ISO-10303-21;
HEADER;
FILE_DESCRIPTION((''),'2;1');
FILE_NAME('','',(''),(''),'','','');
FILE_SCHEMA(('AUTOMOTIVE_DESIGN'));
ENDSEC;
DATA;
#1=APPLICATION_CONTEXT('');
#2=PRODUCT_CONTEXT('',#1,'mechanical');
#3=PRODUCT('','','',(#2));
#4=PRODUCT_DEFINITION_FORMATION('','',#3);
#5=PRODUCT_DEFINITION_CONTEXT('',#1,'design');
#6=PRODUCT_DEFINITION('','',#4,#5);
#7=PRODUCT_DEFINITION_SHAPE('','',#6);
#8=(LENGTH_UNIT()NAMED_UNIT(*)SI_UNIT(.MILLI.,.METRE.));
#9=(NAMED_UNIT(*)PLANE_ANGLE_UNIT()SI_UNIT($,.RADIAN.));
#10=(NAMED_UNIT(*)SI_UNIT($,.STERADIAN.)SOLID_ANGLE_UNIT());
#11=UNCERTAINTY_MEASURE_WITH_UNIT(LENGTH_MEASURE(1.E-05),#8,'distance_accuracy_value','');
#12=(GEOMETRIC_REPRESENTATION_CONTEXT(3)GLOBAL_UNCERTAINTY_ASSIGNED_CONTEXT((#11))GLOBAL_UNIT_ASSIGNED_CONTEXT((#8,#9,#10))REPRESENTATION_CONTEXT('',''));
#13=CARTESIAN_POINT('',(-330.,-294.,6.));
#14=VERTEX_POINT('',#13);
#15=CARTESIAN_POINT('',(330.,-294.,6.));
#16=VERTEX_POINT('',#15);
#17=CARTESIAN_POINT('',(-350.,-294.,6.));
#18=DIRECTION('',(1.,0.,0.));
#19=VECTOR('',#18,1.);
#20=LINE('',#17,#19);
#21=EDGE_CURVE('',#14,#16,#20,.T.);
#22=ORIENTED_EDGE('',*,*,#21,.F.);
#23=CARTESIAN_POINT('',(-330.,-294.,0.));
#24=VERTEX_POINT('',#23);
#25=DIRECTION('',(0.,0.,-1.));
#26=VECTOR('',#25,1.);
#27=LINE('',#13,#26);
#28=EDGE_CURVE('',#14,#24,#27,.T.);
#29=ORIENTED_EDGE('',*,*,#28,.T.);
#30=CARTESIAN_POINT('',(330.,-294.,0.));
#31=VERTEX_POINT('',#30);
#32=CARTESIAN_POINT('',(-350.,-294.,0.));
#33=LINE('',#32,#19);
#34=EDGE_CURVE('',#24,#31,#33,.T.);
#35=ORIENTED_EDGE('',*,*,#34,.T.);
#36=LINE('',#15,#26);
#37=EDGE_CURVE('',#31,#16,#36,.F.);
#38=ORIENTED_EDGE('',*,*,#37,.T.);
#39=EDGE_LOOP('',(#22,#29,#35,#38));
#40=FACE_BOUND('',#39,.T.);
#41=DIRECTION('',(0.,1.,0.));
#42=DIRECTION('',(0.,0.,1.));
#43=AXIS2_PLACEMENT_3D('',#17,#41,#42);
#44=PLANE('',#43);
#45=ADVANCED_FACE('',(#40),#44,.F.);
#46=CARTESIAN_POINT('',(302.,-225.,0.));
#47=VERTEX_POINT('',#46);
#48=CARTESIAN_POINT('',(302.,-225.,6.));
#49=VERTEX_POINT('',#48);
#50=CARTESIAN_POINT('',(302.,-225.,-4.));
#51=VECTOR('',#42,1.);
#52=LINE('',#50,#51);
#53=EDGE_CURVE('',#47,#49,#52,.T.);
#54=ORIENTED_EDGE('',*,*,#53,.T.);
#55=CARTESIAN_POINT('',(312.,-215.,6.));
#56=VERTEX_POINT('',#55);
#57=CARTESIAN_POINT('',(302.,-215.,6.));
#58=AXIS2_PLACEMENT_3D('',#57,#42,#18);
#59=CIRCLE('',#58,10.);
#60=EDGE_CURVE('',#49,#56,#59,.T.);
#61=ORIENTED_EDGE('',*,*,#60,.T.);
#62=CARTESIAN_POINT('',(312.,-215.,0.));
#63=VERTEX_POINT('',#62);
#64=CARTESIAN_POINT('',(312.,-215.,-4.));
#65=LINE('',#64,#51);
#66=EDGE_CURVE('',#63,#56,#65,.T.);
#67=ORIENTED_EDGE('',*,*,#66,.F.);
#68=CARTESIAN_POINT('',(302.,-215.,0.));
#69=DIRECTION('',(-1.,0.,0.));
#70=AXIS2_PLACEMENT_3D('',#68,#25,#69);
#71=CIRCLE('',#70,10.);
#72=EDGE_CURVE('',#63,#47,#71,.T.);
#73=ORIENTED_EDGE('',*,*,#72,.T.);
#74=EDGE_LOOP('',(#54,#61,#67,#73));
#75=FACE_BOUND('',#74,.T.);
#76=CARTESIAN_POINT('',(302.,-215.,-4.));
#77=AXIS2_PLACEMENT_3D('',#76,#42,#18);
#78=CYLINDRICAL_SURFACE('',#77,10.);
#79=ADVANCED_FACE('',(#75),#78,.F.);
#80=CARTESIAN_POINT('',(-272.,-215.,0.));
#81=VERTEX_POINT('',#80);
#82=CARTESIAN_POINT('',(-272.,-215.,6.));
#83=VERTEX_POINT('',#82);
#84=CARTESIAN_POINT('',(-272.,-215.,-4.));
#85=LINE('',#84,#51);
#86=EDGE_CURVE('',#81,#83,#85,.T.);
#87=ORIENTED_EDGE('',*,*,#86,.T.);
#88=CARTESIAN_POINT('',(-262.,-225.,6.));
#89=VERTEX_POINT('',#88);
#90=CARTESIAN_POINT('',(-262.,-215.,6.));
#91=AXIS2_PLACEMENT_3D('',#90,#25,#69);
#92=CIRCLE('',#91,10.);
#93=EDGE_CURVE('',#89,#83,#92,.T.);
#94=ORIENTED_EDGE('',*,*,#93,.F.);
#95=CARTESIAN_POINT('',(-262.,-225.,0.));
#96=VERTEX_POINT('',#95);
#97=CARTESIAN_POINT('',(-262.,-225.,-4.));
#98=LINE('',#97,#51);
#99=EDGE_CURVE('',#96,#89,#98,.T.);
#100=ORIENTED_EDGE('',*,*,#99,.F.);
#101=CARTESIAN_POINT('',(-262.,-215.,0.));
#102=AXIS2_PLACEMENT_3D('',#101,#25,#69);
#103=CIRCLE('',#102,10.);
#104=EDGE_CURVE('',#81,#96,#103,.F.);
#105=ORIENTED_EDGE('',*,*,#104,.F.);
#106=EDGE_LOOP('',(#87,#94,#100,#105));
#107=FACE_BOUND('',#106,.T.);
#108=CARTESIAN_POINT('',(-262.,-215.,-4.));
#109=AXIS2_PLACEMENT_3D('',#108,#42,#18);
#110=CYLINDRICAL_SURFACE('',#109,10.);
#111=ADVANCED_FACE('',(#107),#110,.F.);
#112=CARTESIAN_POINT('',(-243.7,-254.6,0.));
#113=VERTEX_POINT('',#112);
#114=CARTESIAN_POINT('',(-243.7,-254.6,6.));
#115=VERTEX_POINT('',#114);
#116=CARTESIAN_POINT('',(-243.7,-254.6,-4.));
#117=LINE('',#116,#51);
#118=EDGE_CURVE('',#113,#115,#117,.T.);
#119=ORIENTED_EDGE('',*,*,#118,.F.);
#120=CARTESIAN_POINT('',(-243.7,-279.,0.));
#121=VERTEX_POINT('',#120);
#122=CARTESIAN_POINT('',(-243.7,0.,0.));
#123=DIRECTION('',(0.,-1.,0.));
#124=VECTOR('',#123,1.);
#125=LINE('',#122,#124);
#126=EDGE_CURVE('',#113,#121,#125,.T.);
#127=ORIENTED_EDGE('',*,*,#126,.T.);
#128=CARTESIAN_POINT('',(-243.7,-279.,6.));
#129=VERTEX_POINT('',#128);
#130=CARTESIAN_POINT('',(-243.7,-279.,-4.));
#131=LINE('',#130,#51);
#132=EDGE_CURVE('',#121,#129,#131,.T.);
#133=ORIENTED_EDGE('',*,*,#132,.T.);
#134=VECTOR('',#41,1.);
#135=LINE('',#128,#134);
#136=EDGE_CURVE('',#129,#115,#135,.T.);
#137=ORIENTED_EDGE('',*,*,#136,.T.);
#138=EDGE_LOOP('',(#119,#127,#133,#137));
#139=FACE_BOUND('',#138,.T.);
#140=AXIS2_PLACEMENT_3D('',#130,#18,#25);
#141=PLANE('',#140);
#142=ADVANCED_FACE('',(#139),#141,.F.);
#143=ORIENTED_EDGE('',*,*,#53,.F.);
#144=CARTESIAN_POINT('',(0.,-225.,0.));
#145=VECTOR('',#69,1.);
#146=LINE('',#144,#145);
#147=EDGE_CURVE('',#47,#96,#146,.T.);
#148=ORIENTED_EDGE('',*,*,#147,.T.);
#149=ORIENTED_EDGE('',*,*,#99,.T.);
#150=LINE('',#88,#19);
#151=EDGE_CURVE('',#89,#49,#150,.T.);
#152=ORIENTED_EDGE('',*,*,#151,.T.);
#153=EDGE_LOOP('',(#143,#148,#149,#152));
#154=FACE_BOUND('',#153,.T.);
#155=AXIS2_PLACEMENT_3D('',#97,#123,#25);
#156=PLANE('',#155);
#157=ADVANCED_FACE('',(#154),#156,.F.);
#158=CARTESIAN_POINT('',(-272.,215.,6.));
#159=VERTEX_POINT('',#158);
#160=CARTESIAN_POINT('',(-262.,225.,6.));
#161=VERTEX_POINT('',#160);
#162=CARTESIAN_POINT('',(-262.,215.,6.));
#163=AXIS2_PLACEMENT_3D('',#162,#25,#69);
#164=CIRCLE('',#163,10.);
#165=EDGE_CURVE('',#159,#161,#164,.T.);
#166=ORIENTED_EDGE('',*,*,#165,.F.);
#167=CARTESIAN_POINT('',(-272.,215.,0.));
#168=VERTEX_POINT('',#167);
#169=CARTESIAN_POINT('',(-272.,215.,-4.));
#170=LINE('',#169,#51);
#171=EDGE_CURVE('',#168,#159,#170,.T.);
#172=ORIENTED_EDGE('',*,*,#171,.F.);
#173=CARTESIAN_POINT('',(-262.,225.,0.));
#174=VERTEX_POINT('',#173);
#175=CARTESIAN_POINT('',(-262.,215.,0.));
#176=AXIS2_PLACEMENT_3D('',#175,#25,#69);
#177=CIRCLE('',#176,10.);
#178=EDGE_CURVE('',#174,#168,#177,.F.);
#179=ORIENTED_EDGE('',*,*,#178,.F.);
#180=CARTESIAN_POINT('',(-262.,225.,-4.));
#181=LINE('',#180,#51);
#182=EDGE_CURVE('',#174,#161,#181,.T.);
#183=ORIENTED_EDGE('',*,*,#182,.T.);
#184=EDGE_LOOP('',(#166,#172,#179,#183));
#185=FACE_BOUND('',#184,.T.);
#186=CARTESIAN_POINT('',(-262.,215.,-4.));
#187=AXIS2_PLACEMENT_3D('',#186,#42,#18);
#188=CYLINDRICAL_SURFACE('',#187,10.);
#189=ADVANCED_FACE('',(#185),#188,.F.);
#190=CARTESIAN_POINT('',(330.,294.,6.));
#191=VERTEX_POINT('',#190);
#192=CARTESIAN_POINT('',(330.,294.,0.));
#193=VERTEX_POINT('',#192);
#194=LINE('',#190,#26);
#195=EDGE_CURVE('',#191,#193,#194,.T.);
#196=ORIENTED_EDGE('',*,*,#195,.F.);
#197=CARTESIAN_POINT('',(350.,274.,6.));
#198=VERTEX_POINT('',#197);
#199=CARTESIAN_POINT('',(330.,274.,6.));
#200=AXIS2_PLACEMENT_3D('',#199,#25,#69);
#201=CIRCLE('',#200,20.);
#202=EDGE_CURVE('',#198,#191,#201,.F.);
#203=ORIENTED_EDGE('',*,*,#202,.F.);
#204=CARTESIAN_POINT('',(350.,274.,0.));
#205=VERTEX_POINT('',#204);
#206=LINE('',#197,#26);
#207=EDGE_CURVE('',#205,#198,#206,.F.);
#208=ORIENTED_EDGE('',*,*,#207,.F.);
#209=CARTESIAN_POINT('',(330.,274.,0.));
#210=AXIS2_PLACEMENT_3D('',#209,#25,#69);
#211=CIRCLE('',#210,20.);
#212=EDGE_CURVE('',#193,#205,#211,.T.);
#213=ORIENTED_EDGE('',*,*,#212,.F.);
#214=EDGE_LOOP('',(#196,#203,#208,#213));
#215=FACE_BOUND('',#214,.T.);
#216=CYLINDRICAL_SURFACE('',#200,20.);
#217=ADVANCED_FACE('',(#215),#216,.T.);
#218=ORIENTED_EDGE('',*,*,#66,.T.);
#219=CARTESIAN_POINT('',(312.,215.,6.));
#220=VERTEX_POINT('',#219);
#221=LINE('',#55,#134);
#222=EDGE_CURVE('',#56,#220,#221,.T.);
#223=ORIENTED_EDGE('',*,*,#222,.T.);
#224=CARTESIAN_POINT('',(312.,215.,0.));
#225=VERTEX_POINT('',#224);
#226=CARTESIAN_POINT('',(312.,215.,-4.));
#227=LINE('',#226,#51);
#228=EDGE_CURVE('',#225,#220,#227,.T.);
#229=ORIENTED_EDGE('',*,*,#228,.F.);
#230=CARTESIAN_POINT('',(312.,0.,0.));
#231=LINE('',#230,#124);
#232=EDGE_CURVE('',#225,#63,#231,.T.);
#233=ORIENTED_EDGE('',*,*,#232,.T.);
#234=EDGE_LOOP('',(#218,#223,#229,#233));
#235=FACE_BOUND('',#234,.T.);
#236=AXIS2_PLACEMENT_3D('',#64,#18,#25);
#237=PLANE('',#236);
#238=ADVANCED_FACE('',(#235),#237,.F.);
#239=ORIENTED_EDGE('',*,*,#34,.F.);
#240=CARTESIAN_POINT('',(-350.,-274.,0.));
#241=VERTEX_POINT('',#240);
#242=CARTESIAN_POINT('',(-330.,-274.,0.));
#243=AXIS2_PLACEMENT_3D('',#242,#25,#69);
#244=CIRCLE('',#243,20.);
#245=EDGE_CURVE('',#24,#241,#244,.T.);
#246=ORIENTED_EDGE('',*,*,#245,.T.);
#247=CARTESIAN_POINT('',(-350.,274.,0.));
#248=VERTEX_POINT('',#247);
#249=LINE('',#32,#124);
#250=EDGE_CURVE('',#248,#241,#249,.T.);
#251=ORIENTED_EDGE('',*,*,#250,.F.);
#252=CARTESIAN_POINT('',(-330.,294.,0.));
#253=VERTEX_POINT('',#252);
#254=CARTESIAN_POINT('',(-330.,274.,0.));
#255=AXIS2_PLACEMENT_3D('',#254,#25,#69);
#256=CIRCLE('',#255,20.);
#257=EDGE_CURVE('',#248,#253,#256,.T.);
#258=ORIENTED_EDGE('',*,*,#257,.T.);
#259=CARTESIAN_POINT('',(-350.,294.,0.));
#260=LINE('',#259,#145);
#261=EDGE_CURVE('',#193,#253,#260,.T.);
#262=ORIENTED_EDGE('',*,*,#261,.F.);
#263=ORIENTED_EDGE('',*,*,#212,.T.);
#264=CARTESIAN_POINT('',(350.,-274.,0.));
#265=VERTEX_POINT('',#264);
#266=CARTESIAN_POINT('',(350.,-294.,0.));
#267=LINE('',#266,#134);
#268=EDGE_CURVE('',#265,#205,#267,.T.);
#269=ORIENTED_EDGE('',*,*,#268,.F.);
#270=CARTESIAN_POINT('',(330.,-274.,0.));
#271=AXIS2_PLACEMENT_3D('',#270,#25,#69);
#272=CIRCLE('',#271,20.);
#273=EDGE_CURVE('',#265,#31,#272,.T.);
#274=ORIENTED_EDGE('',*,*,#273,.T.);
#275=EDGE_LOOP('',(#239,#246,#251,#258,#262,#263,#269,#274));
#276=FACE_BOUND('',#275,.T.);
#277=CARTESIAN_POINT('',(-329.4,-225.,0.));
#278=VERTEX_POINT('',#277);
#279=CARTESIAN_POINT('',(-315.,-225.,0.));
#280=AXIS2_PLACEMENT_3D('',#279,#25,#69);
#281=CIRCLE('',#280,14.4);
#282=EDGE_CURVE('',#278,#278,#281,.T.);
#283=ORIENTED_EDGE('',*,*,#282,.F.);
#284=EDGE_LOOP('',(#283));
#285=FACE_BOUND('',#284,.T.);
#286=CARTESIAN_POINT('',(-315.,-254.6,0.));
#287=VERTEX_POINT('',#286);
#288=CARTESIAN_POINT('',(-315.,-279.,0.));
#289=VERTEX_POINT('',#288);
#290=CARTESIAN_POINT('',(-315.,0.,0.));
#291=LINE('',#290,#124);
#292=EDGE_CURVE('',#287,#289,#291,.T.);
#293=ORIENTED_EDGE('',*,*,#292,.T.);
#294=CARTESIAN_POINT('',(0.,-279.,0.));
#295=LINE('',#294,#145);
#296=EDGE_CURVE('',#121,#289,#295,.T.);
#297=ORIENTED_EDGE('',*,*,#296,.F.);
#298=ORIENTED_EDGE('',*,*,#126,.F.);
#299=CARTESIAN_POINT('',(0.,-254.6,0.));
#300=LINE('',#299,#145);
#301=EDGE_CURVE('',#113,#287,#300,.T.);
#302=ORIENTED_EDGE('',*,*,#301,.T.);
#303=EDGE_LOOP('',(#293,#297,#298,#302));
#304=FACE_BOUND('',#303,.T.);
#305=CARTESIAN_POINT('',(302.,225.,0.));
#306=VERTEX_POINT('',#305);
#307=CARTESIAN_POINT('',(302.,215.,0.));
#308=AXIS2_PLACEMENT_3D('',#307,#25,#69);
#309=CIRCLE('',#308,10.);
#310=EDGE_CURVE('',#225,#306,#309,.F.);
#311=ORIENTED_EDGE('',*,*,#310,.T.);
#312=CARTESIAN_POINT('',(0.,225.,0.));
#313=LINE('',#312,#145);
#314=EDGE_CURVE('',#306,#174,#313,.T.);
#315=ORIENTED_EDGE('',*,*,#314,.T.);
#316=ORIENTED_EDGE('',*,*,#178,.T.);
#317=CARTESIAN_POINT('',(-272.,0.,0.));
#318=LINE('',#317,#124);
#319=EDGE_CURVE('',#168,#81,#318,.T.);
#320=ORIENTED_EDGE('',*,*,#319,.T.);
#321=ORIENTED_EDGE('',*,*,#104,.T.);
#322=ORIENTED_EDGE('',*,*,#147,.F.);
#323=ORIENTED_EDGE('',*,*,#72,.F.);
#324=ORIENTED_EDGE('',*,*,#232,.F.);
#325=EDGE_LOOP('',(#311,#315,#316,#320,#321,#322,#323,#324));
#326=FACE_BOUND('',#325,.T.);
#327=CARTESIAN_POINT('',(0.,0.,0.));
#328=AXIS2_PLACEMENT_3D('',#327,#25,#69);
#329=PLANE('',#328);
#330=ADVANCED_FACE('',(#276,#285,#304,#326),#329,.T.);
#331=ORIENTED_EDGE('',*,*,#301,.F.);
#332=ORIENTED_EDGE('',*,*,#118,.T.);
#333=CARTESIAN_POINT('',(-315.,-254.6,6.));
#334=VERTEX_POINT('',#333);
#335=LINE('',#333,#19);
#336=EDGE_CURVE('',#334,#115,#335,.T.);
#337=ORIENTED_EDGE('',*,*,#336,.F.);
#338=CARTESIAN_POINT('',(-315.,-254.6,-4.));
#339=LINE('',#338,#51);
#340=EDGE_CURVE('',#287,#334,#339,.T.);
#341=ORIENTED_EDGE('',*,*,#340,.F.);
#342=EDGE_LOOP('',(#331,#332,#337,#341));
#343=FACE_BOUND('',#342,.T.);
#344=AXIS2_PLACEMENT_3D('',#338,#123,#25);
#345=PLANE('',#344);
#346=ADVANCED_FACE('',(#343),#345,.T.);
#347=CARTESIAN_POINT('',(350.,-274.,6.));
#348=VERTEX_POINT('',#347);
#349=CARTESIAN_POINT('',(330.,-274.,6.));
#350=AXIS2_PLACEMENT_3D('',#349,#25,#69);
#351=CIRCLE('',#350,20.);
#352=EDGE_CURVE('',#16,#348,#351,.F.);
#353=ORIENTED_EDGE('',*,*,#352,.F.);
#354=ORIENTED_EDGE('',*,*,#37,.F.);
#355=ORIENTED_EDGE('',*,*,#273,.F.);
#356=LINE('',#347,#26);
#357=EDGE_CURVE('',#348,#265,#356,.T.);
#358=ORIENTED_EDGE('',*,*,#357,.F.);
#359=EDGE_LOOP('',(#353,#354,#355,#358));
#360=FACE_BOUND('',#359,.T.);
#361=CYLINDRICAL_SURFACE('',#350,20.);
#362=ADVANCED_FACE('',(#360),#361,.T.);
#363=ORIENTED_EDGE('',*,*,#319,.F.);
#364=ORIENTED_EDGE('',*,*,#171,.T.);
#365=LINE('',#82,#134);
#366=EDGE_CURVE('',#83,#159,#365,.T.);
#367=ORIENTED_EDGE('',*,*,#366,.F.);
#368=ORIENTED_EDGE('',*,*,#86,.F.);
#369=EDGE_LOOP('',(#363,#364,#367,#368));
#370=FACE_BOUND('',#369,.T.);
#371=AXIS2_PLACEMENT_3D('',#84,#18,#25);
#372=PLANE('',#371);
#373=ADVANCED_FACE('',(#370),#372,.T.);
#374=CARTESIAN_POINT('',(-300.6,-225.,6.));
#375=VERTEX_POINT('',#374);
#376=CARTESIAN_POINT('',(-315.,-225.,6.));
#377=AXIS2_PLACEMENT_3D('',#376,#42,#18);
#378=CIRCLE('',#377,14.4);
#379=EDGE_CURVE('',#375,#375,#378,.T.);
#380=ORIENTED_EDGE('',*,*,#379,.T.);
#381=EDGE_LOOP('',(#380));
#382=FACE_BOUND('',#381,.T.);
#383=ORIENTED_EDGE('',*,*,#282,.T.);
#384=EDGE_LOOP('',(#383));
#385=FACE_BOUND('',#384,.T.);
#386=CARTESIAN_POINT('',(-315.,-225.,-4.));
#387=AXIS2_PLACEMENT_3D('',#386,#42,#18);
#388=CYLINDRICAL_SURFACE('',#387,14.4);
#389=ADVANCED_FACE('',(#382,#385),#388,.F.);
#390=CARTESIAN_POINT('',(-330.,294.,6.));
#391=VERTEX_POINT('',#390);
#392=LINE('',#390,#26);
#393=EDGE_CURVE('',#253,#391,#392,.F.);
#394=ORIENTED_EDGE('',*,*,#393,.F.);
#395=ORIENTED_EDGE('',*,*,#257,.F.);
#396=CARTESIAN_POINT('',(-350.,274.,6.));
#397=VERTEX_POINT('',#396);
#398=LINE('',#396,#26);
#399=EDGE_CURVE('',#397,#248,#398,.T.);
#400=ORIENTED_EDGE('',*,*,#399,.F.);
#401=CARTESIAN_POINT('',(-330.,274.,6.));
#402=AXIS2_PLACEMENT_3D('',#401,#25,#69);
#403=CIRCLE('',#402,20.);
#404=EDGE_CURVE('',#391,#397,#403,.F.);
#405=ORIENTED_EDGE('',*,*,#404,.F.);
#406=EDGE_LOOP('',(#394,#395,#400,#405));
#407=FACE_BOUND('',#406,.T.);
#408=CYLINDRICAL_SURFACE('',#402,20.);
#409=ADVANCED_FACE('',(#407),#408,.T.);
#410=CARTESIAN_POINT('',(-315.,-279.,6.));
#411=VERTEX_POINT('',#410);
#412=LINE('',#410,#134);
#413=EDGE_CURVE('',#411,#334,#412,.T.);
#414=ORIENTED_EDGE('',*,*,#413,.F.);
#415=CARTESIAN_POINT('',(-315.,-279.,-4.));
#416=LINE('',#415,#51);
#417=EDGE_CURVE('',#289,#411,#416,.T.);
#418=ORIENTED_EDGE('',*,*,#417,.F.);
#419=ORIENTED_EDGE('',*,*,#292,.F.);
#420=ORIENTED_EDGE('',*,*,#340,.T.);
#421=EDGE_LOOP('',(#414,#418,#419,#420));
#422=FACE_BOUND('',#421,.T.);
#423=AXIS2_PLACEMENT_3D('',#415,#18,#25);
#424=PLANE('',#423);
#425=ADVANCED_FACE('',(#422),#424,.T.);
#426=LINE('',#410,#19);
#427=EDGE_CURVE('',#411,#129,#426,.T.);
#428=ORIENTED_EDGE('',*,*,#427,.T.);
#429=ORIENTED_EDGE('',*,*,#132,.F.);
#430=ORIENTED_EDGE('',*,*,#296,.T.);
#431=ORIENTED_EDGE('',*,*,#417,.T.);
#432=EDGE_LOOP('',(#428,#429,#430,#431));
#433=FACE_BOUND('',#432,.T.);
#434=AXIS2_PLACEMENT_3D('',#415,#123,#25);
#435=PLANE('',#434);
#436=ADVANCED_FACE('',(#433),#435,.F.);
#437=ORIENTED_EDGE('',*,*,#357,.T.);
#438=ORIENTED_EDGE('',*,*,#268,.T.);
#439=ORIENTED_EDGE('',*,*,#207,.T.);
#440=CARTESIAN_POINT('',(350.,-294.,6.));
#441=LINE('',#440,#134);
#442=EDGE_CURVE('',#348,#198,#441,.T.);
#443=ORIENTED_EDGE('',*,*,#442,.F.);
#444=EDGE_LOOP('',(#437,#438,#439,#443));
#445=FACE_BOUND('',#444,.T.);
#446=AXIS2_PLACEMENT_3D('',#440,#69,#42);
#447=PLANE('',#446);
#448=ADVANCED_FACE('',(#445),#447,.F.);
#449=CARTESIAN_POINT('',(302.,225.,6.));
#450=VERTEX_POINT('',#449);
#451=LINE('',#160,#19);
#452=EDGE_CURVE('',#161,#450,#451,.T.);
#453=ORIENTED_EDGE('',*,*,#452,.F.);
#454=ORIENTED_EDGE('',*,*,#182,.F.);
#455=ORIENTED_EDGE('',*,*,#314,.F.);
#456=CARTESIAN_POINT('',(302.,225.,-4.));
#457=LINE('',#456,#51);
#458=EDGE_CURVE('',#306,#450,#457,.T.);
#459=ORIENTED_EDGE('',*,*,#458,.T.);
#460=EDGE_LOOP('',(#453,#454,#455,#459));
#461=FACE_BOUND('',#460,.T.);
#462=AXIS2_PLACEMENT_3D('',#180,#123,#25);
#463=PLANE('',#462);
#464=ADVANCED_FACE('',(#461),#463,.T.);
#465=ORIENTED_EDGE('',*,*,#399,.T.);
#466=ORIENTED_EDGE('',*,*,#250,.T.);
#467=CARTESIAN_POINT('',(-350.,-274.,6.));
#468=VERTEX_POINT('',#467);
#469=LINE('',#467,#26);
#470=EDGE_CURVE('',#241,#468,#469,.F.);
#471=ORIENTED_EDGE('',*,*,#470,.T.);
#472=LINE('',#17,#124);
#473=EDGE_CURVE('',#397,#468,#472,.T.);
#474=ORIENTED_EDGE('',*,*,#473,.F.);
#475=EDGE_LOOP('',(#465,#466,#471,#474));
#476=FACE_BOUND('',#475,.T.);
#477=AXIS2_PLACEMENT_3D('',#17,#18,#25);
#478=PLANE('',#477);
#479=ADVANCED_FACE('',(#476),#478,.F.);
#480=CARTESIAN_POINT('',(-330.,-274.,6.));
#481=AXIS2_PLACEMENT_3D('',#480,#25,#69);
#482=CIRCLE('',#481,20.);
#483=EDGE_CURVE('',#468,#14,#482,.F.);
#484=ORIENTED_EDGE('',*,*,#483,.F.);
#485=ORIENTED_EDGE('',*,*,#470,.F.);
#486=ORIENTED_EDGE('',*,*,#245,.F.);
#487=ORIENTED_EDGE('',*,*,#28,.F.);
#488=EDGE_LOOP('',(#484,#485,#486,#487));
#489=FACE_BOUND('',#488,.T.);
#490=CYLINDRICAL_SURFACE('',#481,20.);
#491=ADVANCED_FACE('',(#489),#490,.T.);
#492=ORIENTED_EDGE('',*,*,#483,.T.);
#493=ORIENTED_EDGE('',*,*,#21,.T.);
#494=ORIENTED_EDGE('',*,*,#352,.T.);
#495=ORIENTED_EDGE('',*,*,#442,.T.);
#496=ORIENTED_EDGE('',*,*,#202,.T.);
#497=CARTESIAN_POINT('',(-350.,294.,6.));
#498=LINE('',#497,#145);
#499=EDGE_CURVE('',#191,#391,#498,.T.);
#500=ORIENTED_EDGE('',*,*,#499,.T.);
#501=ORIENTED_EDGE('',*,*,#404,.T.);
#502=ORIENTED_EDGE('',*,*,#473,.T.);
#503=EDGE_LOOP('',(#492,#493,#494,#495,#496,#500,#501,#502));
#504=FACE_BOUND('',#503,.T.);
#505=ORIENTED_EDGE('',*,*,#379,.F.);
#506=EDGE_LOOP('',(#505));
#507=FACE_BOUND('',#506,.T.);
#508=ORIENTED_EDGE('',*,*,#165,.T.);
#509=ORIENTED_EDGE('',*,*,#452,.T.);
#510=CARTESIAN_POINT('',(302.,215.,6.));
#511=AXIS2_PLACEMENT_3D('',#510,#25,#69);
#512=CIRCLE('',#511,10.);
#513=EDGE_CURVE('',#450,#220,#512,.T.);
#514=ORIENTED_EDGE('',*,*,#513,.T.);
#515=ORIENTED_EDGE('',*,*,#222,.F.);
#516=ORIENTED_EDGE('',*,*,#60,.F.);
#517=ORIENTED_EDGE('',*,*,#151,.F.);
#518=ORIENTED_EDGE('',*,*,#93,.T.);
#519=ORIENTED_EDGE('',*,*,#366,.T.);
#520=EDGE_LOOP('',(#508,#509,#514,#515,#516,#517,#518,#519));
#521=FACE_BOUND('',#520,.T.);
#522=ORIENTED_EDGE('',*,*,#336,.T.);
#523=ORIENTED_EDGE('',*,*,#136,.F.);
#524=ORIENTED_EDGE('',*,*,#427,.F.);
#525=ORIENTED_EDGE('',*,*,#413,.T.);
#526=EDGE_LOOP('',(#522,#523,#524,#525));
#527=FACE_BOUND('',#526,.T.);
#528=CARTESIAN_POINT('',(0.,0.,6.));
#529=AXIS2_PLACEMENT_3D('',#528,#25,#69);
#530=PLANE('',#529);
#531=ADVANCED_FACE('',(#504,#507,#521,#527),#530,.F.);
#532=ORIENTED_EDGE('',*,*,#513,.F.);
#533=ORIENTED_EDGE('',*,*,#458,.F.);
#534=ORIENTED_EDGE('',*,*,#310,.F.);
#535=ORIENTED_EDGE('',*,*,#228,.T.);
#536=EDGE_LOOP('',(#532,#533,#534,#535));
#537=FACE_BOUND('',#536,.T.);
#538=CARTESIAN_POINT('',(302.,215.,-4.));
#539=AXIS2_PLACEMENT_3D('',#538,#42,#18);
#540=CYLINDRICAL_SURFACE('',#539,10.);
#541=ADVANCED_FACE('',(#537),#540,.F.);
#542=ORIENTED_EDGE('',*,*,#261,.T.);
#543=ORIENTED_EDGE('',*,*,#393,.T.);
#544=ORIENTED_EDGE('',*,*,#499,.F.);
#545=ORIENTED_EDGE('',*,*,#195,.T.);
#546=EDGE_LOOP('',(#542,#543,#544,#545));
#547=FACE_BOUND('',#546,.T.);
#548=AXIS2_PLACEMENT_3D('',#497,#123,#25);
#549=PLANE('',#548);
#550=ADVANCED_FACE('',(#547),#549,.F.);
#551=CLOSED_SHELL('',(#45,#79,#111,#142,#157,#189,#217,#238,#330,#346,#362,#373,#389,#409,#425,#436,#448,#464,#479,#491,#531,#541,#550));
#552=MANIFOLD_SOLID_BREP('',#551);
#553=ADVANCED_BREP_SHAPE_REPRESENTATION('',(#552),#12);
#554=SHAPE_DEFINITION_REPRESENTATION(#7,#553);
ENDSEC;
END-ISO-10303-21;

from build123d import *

# Parameters (mm, degrees)
SKETCH1_W           = 700
SKETCH1_H           = 588
BOSS_EXTRUDE1_DEPTH = 6
FILLET1_R           = 20
SKETCH2_R           = 14.4
SKETCH2_W           = 71.3
SKETCH2_H           = 24.4
CUT_EXTRUDE1_DEPTH  = 10


with BuildPart() as part:
    # Sketch1 → Boss-Extrude1 (new body)
    with BuildSketch(Plane.XY):
        Rectangle(SKETCH1_W, SKETCH1_H)
    extrude(amount=BOSS_EXTRUDE1_DEPTH)

    # Fillet1
    fillet1_edges = [part.edges().sort_by_distance(p)[0] for p in [
        (350, -294, 3),
        (-350, -294, 3),
        (-350, 294, 3),
        (350, 294, 3),
    ]]
    fillet(fillet1_edges, radius=FILLET1_R)

    # Sketch2 → Cut-Extrude1 (cut)
    with BuildSketch(Plane.XY.offset(6)):
        with Locations((-315, -225)):
            Circle(SKETCH2_R)
        with Locations((-279.35, -266.8)):
            Rectangle(SKETCH2_W, SKETCH2_H)
        with BuildLine():
            Line((-262, -225), (302, -225))
            ThreePointArc((302, -225), (309.071067812, -222.071067812), (312, -215))
            Line((312, -215), (312, 215))
            ThreePointArc((312, 215), (309.071067812, 222.071067812), (302, 225))
            Line((302, 225), (-262, 225))
            ThreePointArc((-262, 225), (-269.071067812, 222.071067812), (-272, 215))
            Line((-272, 215), (-272, -215))
            ThreePointArc((-272, -215), (-269.071067812, -222.071067812), (-262, -225))
        make_face()
    extrude(amount=-CUT_EXTRUDE1_DEPTH, mode=Mode.SUBTRACT)


solid = part.part
